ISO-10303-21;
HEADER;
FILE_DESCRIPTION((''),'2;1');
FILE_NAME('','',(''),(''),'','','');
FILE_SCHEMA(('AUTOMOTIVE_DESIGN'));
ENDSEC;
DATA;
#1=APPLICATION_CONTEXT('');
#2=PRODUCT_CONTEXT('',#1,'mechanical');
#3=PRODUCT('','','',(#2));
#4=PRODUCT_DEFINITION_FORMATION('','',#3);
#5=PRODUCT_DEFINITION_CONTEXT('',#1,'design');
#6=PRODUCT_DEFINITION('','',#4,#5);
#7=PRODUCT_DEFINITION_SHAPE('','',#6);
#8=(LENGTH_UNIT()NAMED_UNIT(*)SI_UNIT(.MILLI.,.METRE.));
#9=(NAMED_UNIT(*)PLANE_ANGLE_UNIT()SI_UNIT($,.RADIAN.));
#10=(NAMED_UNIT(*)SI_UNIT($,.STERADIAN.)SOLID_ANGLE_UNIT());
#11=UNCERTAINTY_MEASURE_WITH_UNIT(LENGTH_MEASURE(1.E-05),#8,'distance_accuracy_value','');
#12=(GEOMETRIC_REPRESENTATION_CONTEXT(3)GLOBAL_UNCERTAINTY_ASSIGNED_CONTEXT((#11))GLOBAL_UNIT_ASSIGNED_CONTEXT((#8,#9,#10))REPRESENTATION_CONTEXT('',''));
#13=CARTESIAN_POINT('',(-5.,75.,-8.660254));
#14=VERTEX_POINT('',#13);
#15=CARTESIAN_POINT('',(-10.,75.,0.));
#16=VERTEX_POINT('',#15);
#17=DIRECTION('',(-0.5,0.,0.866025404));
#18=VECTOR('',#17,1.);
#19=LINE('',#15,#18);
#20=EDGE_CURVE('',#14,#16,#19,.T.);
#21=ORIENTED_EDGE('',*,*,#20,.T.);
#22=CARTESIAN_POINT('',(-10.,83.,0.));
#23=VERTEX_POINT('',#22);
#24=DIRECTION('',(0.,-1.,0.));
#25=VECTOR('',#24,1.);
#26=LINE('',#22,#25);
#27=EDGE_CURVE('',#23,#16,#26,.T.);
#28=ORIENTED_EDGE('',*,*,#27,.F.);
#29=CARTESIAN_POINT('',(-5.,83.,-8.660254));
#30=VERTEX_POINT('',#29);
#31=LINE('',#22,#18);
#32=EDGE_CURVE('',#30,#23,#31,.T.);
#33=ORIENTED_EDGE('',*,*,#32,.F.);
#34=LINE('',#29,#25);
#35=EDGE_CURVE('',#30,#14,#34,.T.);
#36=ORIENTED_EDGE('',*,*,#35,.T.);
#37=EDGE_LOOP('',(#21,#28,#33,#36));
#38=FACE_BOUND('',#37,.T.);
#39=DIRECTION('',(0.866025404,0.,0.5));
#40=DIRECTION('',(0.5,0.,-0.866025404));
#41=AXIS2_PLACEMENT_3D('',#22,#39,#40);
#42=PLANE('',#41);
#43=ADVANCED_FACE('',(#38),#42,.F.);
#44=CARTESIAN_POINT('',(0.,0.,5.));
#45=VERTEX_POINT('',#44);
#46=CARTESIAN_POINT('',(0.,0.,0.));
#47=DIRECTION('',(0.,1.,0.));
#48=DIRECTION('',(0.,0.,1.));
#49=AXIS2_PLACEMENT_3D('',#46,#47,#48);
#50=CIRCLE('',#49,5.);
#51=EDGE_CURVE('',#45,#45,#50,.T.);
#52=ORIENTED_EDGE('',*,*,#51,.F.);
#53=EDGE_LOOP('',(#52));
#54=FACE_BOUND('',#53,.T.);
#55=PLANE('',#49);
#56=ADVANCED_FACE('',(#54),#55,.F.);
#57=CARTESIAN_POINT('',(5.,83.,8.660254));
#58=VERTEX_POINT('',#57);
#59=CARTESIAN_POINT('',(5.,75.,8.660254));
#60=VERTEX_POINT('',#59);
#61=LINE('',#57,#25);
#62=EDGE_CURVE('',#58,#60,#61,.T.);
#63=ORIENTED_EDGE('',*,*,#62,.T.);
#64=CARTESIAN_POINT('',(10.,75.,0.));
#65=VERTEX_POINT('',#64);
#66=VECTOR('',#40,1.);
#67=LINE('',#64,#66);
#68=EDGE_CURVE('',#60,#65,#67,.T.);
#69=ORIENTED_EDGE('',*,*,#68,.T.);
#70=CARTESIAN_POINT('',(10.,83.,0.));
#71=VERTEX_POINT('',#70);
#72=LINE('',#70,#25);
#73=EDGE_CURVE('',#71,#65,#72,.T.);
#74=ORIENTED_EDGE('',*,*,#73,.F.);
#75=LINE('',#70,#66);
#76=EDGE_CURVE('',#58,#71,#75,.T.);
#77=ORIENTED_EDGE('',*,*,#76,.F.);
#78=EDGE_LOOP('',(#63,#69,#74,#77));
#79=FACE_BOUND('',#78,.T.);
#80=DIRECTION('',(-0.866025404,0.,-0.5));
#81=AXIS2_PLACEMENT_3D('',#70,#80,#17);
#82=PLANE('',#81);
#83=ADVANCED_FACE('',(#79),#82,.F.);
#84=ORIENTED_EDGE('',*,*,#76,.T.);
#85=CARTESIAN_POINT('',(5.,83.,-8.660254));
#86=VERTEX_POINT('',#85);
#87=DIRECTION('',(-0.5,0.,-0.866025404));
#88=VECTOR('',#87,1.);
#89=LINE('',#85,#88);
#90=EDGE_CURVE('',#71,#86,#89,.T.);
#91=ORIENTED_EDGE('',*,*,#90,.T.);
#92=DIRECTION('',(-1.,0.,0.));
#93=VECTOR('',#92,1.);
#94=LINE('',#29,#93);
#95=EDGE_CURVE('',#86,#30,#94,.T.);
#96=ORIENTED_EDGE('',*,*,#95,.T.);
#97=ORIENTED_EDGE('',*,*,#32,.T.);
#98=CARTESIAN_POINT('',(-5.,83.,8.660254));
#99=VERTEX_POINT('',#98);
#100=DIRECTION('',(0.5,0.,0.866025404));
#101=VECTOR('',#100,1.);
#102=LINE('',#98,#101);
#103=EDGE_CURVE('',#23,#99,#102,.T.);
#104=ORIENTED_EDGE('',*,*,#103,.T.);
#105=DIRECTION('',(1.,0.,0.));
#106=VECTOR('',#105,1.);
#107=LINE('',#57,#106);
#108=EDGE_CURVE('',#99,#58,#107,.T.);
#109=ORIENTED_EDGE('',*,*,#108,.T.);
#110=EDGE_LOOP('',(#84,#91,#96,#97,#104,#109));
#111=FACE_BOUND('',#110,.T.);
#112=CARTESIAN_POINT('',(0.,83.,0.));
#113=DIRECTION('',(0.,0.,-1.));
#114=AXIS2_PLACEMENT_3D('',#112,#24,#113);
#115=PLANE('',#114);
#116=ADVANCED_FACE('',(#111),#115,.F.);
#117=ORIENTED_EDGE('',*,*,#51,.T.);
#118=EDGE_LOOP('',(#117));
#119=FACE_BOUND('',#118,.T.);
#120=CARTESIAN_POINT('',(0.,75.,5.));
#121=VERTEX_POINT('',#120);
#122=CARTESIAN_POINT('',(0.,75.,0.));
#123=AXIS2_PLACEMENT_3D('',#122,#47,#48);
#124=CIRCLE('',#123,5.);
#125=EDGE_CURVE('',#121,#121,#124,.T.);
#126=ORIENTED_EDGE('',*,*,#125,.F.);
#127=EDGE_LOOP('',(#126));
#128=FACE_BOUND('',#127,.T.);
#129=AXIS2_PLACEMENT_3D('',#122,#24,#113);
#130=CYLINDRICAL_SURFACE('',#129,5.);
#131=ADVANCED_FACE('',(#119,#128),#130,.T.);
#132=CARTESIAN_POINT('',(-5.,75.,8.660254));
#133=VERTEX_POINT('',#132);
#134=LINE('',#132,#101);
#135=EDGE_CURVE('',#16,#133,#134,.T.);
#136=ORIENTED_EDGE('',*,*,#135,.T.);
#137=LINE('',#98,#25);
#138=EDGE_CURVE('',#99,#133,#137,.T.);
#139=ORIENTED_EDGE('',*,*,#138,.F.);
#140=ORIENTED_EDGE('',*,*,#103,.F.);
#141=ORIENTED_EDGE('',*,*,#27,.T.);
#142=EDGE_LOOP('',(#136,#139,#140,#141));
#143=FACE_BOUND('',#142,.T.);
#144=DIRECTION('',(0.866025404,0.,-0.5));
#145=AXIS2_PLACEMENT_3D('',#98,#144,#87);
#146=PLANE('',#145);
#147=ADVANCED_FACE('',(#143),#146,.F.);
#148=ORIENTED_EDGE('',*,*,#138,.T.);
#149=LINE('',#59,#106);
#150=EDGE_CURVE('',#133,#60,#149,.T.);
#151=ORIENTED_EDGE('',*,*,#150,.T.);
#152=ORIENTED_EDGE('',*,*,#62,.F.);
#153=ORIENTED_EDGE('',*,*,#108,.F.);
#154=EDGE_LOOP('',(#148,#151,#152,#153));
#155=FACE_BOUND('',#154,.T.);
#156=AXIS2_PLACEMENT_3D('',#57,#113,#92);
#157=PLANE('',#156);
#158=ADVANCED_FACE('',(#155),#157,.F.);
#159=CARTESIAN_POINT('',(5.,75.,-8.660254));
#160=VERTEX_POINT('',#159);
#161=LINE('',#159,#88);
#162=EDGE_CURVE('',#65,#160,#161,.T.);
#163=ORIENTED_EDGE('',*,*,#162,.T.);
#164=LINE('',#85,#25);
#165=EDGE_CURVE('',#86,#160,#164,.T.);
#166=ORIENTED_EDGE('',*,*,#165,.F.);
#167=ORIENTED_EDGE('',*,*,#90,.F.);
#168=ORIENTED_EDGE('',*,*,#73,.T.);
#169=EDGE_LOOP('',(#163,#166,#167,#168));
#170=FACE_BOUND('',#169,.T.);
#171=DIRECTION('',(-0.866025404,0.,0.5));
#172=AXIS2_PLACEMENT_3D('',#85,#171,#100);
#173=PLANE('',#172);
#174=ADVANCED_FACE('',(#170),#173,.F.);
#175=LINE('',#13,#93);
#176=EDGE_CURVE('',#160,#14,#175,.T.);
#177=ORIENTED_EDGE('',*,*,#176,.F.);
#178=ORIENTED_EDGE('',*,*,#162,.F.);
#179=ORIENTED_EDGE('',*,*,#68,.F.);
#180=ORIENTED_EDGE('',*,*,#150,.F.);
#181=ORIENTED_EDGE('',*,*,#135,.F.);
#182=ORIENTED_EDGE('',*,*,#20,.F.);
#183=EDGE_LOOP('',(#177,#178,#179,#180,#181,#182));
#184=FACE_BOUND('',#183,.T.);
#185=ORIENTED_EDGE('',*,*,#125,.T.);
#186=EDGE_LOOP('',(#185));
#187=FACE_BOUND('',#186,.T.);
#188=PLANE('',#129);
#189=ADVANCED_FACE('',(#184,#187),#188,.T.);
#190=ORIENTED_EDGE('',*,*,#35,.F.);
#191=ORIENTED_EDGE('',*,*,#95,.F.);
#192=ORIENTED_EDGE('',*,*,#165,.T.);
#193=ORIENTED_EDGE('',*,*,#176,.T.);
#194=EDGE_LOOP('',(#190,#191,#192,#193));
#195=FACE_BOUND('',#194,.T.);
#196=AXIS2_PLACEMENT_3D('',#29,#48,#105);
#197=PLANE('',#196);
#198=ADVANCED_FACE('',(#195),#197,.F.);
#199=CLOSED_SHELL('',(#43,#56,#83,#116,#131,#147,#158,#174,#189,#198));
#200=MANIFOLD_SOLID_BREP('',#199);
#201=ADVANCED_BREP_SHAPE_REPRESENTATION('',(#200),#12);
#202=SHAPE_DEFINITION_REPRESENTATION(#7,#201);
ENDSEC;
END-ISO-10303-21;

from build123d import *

# Parameters (mm, degrees)
ESQUISSE1_R        = 5
BOSS_EXTRU_1_DEPTH = 75
BOSS_EXTRU_2_DEPTH = 8


with BuildPart() as part:
    # Esquisse1 → Boss.-Extru.1 (new body)
    with BuildSketch(Plane(origin=(0, 0, 0), x_dir=(1, 0, 0), z_dir=(0, 1, 0))):
        with Locations(Location((0, 0, 0), (0, 0, 270))):
            Circle(ESQUISSE1_R)
    extrude(amount=BOSS_EXTRU_1_DEPTH)

    # Esquisse2 → Boss.-Extru.2 (add)
    with BuildSketch(Plane(origin=(0, 75, 0), x_dir=(1, 0, 0), z_dir=(0, 1, 0))):
        Polygon((-5, 8.660254038), (5, 8.660254038), (10, 0), (5, -8.660254038), (-5, -8.660254038), (-10, 0), align=None)
    extrude(amount=BOSS_EXTRU_2_DEPTH)


solid = part.part
